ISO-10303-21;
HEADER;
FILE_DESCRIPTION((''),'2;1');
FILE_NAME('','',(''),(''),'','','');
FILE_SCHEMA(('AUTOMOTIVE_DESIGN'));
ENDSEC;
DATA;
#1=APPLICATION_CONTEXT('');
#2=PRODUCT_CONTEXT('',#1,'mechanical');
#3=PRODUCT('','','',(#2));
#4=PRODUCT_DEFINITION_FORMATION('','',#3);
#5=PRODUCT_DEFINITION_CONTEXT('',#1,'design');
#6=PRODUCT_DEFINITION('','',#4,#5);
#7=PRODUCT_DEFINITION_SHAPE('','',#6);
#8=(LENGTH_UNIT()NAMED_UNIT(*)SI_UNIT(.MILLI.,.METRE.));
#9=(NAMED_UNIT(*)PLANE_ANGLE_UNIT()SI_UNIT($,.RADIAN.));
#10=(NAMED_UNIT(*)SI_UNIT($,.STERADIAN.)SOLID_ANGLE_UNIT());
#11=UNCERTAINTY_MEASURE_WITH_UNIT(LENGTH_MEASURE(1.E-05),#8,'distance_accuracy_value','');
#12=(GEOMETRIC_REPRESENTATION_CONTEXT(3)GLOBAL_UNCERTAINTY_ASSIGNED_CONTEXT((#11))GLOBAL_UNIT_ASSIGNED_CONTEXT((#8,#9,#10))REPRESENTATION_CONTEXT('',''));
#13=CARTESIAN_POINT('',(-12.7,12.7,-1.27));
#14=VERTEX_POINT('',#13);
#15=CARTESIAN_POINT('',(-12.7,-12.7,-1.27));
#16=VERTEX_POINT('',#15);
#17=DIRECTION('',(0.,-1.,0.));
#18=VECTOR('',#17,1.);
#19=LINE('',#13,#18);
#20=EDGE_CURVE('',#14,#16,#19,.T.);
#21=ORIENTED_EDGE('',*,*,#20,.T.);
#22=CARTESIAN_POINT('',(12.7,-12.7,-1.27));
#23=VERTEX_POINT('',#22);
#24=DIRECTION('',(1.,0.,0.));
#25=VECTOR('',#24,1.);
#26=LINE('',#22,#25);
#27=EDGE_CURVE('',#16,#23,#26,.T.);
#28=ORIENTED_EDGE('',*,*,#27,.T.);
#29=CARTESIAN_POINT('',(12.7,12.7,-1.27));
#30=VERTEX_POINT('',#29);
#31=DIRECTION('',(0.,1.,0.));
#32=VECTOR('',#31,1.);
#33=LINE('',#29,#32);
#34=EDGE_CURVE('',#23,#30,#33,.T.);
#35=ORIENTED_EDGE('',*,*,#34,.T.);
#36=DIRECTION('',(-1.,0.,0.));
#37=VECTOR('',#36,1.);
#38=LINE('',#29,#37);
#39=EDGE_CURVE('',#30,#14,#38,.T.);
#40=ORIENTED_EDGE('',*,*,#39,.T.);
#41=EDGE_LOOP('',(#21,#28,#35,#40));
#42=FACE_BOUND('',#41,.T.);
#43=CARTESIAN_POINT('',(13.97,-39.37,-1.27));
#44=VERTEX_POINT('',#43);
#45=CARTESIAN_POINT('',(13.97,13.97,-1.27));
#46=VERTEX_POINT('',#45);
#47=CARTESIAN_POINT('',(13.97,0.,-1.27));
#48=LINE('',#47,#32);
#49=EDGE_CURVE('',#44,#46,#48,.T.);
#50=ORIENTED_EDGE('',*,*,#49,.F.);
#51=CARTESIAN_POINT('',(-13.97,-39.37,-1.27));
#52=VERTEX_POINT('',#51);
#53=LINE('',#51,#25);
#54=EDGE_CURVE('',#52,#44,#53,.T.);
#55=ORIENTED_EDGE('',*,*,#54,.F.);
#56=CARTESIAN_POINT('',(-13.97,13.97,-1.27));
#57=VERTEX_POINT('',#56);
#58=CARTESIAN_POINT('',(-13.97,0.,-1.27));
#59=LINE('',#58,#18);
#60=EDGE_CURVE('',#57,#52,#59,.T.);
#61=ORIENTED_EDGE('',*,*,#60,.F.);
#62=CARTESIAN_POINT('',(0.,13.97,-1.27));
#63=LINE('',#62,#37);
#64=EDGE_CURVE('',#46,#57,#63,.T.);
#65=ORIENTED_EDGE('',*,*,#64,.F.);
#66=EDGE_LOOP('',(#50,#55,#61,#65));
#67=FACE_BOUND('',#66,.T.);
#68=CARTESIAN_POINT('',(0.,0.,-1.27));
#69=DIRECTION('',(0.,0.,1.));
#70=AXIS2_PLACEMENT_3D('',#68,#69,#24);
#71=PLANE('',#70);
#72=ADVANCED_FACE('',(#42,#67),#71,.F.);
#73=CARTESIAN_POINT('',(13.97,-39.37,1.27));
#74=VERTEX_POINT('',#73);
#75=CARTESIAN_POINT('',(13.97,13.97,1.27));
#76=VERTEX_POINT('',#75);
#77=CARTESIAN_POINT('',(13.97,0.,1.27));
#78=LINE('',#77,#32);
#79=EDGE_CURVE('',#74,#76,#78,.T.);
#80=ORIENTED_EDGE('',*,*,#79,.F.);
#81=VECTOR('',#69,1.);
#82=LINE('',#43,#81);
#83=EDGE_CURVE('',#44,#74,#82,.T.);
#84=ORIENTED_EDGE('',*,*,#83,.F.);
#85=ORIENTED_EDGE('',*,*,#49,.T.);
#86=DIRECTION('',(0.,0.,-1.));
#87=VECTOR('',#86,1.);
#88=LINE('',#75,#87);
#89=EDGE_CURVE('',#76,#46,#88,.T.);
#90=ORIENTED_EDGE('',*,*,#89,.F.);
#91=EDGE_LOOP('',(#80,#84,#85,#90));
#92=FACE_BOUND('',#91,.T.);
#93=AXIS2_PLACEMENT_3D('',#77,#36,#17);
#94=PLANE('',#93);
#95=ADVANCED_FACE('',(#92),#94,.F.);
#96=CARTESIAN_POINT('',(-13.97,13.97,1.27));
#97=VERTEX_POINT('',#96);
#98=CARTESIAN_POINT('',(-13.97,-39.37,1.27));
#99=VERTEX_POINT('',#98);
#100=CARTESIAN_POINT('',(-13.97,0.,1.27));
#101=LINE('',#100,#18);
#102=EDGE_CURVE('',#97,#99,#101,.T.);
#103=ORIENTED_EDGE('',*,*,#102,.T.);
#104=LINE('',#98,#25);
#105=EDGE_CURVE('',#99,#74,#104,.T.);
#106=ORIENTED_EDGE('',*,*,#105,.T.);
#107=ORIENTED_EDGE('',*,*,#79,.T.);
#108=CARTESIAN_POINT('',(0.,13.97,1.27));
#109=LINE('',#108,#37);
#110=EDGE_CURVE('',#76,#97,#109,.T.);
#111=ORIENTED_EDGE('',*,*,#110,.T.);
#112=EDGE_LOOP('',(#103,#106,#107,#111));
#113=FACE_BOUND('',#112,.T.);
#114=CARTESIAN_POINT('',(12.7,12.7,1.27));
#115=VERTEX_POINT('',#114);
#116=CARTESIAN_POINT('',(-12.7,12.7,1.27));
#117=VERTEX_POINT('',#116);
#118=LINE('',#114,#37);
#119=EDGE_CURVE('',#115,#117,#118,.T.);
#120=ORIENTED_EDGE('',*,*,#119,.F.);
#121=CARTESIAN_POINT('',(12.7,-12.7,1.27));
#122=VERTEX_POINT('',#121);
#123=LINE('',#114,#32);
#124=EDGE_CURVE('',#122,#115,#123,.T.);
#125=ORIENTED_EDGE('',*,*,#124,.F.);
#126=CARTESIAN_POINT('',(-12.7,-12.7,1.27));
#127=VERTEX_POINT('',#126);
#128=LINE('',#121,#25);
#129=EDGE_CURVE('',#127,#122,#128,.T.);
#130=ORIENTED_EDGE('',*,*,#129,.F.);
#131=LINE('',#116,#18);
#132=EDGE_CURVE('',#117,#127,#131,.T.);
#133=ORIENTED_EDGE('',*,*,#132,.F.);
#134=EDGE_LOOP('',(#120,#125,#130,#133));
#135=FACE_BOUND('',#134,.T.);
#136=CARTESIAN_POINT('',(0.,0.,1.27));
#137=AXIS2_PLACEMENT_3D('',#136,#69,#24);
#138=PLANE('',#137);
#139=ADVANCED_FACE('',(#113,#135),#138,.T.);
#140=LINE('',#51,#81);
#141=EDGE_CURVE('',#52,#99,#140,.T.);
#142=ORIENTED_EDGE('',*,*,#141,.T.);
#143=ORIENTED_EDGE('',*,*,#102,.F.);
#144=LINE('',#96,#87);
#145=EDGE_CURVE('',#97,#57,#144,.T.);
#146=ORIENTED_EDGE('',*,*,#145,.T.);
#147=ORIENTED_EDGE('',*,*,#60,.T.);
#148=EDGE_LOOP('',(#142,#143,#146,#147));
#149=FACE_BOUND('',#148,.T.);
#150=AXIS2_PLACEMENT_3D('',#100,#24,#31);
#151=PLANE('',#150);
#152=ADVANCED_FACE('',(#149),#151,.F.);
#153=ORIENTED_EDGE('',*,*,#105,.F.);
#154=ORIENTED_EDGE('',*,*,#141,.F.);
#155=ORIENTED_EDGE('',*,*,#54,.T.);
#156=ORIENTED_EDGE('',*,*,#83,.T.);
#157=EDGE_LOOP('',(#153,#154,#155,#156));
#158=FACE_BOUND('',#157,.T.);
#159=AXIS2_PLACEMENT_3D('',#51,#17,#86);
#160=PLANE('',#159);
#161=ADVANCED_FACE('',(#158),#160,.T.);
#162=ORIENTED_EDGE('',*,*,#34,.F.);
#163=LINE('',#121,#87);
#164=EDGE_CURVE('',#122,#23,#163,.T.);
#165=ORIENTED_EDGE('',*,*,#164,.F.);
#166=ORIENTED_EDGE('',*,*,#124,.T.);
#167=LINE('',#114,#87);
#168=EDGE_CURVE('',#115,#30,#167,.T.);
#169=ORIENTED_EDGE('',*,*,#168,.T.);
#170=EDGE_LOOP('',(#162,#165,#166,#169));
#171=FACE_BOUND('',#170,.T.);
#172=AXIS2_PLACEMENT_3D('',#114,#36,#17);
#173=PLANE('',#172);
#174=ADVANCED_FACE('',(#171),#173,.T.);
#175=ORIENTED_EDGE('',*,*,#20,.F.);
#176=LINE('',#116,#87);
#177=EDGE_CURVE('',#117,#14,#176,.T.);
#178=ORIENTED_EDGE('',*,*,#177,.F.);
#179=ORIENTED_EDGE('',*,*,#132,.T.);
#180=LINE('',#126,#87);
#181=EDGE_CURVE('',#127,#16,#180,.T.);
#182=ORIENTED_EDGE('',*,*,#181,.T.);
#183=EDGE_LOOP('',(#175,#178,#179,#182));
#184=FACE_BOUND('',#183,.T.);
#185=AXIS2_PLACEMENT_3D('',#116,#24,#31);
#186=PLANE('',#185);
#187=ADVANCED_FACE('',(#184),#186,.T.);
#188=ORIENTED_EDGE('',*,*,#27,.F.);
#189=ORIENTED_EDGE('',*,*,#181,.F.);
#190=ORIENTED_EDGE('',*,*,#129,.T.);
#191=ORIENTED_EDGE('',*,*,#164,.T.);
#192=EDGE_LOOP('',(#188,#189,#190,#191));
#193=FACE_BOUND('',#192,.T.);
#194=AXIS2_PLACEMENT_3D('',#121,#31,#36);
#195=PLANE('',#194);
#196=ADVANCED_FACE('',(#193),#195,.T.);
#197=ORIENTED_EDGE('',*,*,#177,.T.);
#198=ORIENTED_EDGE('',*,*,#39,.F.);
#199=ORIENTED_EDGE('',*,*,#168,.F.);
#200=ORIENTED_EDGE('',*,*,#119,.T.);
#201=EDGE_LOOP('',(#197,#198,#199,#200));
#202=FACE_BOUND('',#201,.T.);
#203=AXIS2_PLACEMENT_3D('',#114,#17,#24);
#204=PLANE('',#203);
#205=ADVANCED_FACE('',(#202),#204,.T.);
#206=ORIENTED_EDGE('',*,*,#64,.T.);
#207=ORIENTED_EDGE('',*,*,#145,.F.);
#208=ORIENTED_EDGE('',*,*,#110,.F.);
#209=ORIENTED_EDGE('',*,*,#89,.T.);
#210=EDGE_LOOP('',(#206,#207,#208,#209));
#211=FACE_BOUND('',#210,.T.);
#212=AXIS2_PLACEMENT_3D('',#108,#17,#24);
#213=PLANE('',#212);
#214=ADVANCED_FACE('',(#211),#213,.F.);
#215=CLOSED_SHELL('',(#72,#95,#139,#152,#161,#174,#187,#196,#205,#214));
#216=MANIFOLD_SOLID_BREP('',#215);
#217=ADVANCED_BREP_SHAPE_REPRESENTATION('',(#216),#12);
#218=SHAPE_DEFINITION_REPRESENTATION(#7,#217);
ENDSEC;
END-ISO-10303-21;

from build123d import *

# Parameters (mm, degrees)
SKETCH1_W           = 27.94
SKETCH1_H           = 27.94
SKETCH1_W_2         = 25.4
SKETCH1_H_2         = 25.4
EXTRUDE_THIN1_DEPTH = 1.27
SKETCH2_W           = 27.94
SKETCH2_H           = 25.4
BOSS_EXTRUDE1_DEPTH = 2.54


with BuildPart() as part:
    # Sketch1 → Extrude-Thin1 (new body, symmetric)
    with BuildSketch(Plane.XY):
        Rectangle(SKETCH1_W, SKETCH1_H)
        Rectangle(SKETCH1_W_2, SKETCH1_H_2, mode=Mode.SUBTRACT)
    extrude(amount=EXTRUDE_THIN1_DEPTH, both=True)

    # Sketch2 → Boss-Extrude1 (add, through all)
    with BuildSketch(Plane.XY.offset(1.27)):
        with Locations((0, -26.67)):
            Rectangle(SKETCH2_W, SKETCH2_H)
    extrude(amount=-BOSS_EXTRUDE1_DEPTH)


solid = part.part
